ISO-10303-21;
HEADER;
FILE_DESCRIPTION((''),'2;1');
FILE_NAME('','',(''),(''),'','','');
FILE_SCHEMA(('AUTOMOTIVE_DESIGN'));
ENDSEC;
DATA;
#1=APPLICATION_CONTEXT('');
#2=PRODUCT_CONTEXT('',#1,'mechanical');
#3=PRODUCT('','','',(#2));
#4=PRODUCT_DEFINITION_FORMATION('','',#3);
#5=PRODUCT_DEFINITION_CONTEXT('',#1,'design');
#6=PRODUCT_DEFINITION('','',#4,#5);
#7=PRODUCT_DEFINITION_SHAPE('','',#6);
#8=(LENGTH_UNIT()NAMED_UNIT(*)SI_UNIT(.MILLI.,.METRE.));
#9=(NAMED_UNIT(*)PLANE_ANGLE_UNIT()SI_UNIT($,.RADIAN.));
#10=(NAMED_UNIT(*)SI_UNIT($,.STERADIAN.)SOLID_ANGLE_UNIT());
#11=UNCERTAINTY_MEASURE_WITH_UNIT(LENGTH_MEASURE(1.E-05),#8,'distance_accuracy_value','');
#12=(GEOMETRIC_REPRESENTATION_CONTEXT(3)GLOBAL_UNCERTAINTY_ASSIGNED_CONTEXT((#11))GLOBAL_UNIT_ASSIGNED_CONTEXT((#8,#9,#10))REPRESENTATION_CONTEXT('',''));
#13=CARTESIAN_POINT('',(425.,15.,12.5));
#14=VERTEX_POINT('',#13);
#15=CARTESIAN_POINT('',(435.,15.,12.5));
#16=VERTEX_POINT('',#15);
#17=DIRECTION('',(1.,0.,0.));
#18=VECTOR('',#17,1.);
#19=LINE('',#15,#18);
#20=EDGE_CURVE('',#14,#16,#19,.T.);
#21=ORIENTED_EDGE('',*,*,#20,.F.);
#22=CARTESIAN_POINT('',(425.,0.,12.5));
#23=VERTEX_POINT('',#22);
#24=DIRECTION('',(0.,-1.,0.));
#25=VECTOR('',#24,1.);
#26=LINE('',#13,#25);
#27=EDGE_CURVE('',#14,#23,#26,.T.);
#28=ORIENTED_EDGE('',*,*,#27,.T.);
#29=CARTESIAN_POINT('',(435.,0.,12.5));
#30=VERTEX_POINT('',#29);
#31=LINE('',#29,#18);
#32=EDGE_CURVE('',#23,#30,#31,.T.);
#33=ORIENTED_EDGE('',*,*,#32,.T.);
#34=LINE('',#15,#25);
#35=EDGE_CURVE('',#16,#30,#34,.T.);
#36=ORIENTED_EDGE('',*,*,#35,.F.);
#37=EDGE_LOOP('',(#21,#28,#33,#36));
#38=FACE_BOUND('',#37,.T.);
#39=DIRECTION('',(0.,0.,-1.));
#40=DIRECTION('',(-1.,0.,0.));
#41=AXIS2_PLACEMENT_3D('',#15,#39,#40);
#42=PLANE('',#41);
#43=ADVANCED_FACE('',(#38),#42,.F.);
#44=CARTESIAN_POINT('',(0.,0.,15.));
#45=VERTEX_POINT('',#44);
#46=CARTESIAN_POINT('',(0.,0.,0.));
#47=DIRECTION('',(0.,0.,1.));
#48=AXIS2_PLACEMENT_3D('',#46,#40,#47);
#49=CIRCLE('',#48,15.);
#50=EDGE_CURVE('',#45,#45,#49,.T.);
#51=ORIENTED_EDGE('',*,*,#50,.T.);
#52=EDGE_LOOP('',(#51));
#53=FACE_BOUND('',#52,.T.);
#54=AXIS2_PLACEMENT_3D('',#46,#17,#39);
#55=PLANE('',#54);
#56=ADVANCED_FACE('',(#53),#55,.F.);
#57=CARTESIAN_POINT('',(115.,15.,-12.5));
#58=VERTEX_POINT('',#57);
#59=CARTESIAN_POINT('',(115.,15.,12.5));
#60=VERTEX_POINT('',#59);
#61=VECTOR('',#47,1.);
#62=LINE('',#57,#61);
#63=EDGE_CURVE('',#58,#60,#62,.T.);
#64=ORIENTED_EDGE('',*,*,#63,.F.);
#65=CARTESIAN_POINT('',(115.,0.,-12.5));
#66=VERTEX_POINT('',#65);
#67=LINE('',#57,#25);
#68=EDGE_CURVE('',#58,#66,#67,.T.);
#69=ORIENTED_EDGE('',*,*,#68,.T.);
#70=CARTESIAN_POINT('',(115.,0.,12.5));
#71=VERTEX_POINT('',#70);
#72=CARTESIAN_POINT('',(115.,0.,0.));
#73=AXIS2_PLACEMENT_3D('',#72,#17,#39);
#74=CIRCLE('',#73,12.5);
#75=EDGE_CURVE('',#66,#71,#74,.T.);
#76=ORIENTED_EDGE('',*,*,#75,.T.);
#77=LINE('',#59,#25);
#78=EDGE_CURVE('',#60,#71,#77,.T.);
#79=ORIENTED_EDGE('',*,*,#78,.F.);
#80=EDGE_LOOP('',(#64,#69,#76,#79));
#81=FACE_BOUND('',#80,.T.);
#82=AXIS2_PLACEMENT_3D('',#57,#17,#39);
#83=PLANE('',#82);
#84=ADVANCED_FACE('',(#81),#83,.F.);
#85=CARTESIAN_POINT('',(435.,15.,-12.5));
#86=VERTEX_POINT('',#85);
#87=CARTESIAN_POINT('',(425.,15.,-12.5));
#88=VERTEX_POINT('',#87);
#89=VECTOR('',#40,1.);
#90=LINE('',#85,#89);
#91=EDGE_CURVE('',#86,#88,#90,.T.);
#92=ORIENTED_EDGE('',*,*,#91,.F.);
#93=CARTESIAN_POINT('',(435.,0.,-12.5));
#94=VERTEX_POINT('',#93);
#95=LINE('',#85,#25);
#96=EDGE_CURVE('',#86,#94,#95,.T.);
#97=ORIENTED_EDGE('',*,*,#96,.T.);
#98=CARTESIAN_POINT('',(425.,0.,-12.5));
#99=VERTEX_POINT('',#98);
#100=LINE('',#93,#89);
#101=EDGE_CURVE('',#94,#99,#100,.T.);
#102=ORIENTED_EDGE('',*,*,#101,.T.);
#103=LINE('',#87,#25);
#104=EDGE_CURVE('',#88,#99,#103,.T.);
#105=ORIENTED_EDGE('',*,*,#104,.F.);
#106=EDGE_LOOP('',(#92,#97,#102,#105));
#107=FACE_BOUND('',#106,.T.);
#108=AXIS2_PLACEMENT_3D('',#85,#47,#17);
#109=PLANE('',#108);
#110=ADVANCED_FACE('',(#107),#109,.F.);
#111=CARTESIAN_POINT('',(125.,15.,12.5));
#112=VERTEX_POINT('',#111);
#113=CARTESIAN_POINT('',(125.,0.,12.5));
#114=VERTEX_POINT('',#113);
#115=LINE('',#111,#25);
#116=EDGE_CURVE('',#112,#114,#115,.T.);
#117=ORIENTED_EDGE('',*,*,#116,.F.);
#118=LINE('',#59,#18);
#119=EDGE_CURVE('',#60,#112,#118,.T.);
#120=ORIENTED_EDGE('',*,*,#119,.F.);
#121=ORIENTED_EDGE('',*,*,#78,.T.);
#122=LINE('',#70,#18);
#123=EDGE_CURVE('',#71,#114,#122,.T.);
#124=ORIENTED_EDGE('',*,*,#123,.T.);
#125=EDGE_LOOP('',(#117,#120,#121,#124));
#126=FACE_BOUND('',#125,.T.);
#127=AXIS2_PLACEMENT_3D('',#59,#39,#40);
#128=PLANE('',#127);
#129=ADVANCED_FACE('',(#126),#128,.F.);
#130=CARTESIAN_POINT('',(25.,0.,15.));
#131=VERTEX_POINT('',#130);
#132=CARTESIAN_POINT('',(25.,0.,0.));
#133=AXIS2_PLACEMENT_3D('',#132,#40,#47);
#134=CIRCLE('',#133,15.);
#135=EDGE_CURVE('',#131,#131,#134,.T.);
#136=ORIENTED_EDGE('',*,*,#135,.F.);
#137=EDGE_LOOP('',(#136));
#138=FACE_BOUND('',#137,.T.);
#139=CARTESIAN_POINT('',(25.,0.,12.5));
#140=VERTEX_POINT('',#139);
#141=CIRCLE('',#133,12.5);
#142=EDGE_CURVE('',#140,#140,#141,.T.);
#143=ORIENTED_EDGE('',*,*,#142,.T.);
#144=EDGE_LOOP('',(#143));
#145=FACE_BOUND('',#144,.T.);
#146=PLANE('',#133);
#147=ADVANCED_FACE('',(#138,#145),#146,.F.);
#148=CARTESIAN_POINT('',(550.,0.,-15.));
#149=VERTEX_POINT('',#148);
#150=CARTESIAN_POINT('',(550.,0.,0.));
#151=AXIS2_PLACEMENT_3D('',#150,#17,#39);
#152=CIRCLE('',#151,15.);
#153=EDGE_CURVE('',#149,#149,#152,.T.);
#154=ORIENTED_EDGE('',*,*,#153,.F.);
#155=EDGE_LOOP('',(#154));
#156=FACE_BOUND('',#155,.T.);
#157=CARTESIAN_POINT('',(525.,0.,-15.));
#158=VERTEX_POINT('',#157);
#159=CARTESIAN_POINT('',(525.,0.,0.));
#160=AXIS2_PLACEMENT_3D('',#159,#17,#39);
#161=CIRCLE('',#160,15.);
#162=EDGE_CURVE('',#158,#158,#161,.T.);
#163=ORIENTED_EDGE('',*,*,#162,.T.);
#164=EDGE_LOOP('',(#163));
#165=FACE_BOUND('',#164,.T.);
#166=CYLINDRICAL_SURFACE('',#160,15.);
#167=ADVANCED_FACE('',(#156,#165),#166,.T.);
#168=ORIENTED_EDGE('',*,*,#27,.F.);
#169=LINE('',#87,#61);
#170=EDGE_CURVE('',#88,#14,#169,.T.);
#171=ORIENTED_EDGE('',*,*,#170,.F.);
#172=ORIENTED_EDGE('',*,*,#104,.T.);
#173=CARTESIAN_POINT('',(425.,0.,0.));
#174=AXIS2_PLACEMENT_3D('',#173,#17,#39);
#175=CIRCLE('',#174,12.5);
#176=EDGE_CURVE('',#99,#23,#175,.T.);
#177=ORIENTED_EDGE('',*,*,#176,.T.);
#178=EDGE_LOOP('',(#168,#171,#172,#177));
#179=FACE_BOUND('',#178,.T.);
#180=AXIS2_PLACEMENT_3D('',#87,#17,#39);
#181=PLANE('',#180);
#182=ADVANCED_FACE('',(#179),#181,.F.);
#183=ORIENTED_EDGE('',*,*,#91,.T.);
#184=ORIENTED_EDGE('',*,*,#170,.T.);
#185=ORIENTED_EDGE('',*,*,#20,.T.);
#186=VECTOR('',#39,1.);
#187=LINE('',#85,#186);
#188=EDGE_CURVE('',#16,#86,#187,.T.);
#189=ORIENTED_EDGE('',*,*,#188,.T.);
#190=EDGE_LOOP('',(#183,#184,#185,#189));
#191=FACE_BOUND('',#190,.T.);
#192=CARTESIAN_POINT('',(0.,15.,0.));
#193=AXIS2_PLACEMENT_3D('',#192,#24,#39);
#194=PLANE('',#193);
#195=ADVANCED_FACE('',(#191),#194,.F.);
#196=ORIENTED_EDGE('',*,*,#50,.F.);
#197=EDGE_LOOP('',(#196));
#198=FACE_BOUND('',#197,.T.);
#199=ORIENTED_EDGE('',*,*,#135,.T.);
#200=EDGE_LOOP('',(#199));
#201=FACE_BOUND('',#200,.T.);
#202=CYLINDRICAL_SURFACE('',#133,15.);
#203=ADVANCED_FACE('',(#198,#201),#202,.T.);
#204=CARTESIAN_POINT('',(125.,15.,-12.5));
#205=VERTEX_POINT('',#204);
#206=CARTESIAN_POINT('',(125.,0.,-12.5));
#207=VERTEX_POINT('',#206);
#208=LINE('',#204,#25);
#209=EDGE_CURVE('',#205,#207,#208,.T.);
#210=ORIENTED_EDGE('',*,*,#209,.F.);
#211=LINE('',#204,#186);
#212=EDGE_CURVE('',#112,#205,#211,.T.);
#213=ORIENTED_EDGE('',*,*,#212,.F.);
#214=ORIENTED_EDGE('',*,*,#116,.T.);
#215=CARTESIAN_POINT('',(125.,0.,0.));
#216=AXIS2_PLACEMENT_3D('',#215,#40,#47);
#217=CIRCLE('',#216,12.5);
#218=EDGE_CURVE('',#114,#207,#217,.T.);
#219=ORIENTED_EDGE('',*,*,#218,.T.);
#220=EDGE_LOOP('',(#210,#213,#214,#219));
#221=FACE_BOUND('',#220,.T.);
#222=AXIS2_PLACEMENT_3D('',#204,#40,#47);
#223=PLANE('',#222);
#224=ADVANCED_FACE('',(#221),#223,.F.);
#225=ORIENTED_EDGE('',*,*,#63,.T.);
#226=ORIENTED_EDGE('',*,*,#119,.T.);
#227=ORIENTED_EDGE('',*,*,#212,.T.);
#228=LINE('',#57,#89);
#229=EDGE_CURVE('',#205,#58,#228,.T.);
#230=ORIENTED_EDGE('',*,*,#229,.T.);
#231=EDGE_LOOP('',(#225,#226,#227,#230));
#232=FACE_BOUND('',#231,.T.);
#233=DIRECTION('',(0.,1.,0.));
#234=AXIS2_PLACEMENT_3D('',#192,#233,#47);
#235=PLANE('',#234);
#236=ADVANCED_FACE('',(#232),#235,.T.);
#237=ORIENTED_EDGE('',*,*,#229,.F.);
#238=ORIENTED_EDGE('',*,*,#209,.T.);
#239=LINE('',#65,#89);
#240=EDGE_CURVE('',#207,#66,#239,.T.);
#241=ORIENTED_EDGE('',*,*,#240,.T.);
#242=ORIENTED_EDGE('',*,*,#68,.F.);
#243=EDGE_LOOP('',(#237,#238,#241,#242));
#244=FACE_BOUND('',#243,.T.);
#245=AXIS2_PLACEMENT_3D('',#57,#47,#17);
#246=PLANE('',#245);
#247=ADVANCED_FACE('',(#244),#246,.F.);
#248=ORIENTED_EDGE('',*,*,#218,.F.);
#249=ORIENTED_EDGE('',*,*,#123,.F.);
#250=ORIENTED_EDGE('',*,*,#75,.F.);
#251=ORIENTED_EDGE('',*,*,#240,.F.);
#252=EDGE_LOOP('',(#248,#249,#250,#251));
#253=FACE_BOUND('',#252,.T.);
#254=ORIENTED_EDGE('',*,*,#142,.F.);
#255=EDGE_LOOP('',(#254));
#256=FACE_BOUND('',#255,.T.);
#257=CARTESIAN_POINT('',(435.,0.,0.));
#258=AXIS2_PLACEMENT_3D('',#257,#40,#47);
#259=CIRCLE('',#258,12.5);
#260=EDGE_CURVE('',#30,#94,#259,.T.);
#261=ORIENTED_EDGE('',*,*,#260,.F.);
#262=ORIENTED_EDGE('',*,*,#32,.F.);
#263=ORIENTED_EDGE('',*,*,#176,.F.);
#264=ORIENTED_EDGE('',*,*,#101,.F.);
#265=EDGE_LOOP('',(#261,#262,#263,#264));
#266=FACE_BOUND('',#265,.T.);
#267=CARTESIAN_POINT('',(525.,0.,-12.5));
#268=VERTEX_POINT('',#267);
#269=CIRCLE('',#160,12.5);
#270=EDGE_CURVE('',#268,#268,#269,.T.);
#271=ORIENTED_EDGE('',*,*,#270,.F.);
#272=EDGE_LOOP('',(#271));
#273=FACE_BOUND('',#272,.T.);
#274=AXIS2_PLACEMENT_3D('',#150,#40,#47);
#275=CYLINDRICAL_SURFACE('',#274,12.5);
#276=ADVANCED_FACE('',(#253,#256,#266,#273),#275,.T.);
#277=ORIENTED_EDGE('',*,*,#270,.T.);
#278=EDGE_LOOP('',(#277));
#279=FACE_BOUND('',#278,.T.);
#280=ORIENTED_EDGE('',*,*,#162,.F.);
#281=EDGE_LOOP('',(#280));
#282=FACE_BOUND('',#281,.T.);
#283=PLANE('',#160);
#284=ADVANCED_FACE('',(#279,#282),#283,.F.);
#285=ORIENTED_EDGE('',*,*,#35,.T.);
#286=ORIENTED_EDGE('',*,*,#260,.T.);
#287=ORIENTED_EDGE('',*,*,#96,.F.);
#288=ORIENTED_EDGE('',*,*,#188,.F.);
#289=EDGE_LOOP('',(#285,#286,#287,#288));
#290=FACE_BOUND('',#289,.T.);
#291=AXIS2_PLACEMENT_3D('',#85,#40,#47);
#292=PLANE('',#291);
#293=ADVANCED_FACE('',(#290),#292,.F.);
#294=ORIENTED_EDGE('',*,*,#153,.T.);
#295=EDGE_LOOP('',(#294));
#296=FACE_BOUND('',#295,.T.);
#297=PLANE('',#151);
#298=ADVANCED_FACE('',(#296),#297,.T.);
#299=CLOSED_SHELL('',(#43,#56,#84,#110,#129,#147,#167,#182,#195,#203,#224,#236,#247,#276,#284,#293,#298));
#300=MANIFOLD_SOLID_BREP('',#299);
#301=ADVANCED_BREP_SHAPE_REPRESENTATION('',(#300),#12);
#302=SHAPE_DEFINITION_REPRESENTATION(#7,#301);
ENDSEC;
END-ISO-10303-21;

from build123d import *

# Parameters (mm, degrees)
SKETCH1_R           = 12.5
BOSS_EXTRUDE1_DEPTH = 550
SKETCH2_R           = 15
BOSS_EXTRUDE2_DEPTH = 25
BOSS_EXTRUDE3_START = -25
SKETCH3_R           = 15
BOSS_EXTRUDE3_DEPTH = 25
SKETCH4_W           = 10
SKETCH4_H           = 25
BOSS_EXTRUDE4_DEPTH = 15


with BuildPart() as part:
    # Sketch1 → Boss-Extrude1 (new body)
    with BuildSketch(Plane(origin=(0, 0, 0), x_dir=(0, 0, -1), z_dir=(1, 0, 0))):
        Circle(SKETCH1_R)
    extrude(amount=BOSS_EXTRUDE1_DEPTH)

    # Sketch2 → Boss-Extrude2 (add)
    with BuildSketch(Plane(origin=(550, 0, 0), x_dir=(0, 0, -1), z_dir=(1, 0, 0))):
        Circle(SKETCH2_R)
    extrude(amount=-BOSS_EXTRUDE2_DEPTH)

    # Sketch3 → Boss-Extrude3 (add)
    with BuildSketch(Plane.ZY.offset(BOSS_EXTRUDE3_START)):
        with Locations(Location((0, 0, 0), (0, 0, 180))):
            Circle(SKETCH3_R)
    extrude(amount=BOSS_EXTRUDE3_DEPTH)

    # Sketch4 → Boss-Extrude4 (add)
    with BuildSketch(Plane(origin=(0, 0, 0), x_dir=(1, 0, 0), z_dir=(0, 1, 0))):
        with Locations((120, 0)):
            Rectangle(SKETCH4_W, SKETCH4_H)
        with Locations((430, 0)):
            Rectangle(SKETCH4_W, SKETCH4_H)
    extrude(amount=BOSS_EXTRUDE4_DEPTH)


solid = part.part
